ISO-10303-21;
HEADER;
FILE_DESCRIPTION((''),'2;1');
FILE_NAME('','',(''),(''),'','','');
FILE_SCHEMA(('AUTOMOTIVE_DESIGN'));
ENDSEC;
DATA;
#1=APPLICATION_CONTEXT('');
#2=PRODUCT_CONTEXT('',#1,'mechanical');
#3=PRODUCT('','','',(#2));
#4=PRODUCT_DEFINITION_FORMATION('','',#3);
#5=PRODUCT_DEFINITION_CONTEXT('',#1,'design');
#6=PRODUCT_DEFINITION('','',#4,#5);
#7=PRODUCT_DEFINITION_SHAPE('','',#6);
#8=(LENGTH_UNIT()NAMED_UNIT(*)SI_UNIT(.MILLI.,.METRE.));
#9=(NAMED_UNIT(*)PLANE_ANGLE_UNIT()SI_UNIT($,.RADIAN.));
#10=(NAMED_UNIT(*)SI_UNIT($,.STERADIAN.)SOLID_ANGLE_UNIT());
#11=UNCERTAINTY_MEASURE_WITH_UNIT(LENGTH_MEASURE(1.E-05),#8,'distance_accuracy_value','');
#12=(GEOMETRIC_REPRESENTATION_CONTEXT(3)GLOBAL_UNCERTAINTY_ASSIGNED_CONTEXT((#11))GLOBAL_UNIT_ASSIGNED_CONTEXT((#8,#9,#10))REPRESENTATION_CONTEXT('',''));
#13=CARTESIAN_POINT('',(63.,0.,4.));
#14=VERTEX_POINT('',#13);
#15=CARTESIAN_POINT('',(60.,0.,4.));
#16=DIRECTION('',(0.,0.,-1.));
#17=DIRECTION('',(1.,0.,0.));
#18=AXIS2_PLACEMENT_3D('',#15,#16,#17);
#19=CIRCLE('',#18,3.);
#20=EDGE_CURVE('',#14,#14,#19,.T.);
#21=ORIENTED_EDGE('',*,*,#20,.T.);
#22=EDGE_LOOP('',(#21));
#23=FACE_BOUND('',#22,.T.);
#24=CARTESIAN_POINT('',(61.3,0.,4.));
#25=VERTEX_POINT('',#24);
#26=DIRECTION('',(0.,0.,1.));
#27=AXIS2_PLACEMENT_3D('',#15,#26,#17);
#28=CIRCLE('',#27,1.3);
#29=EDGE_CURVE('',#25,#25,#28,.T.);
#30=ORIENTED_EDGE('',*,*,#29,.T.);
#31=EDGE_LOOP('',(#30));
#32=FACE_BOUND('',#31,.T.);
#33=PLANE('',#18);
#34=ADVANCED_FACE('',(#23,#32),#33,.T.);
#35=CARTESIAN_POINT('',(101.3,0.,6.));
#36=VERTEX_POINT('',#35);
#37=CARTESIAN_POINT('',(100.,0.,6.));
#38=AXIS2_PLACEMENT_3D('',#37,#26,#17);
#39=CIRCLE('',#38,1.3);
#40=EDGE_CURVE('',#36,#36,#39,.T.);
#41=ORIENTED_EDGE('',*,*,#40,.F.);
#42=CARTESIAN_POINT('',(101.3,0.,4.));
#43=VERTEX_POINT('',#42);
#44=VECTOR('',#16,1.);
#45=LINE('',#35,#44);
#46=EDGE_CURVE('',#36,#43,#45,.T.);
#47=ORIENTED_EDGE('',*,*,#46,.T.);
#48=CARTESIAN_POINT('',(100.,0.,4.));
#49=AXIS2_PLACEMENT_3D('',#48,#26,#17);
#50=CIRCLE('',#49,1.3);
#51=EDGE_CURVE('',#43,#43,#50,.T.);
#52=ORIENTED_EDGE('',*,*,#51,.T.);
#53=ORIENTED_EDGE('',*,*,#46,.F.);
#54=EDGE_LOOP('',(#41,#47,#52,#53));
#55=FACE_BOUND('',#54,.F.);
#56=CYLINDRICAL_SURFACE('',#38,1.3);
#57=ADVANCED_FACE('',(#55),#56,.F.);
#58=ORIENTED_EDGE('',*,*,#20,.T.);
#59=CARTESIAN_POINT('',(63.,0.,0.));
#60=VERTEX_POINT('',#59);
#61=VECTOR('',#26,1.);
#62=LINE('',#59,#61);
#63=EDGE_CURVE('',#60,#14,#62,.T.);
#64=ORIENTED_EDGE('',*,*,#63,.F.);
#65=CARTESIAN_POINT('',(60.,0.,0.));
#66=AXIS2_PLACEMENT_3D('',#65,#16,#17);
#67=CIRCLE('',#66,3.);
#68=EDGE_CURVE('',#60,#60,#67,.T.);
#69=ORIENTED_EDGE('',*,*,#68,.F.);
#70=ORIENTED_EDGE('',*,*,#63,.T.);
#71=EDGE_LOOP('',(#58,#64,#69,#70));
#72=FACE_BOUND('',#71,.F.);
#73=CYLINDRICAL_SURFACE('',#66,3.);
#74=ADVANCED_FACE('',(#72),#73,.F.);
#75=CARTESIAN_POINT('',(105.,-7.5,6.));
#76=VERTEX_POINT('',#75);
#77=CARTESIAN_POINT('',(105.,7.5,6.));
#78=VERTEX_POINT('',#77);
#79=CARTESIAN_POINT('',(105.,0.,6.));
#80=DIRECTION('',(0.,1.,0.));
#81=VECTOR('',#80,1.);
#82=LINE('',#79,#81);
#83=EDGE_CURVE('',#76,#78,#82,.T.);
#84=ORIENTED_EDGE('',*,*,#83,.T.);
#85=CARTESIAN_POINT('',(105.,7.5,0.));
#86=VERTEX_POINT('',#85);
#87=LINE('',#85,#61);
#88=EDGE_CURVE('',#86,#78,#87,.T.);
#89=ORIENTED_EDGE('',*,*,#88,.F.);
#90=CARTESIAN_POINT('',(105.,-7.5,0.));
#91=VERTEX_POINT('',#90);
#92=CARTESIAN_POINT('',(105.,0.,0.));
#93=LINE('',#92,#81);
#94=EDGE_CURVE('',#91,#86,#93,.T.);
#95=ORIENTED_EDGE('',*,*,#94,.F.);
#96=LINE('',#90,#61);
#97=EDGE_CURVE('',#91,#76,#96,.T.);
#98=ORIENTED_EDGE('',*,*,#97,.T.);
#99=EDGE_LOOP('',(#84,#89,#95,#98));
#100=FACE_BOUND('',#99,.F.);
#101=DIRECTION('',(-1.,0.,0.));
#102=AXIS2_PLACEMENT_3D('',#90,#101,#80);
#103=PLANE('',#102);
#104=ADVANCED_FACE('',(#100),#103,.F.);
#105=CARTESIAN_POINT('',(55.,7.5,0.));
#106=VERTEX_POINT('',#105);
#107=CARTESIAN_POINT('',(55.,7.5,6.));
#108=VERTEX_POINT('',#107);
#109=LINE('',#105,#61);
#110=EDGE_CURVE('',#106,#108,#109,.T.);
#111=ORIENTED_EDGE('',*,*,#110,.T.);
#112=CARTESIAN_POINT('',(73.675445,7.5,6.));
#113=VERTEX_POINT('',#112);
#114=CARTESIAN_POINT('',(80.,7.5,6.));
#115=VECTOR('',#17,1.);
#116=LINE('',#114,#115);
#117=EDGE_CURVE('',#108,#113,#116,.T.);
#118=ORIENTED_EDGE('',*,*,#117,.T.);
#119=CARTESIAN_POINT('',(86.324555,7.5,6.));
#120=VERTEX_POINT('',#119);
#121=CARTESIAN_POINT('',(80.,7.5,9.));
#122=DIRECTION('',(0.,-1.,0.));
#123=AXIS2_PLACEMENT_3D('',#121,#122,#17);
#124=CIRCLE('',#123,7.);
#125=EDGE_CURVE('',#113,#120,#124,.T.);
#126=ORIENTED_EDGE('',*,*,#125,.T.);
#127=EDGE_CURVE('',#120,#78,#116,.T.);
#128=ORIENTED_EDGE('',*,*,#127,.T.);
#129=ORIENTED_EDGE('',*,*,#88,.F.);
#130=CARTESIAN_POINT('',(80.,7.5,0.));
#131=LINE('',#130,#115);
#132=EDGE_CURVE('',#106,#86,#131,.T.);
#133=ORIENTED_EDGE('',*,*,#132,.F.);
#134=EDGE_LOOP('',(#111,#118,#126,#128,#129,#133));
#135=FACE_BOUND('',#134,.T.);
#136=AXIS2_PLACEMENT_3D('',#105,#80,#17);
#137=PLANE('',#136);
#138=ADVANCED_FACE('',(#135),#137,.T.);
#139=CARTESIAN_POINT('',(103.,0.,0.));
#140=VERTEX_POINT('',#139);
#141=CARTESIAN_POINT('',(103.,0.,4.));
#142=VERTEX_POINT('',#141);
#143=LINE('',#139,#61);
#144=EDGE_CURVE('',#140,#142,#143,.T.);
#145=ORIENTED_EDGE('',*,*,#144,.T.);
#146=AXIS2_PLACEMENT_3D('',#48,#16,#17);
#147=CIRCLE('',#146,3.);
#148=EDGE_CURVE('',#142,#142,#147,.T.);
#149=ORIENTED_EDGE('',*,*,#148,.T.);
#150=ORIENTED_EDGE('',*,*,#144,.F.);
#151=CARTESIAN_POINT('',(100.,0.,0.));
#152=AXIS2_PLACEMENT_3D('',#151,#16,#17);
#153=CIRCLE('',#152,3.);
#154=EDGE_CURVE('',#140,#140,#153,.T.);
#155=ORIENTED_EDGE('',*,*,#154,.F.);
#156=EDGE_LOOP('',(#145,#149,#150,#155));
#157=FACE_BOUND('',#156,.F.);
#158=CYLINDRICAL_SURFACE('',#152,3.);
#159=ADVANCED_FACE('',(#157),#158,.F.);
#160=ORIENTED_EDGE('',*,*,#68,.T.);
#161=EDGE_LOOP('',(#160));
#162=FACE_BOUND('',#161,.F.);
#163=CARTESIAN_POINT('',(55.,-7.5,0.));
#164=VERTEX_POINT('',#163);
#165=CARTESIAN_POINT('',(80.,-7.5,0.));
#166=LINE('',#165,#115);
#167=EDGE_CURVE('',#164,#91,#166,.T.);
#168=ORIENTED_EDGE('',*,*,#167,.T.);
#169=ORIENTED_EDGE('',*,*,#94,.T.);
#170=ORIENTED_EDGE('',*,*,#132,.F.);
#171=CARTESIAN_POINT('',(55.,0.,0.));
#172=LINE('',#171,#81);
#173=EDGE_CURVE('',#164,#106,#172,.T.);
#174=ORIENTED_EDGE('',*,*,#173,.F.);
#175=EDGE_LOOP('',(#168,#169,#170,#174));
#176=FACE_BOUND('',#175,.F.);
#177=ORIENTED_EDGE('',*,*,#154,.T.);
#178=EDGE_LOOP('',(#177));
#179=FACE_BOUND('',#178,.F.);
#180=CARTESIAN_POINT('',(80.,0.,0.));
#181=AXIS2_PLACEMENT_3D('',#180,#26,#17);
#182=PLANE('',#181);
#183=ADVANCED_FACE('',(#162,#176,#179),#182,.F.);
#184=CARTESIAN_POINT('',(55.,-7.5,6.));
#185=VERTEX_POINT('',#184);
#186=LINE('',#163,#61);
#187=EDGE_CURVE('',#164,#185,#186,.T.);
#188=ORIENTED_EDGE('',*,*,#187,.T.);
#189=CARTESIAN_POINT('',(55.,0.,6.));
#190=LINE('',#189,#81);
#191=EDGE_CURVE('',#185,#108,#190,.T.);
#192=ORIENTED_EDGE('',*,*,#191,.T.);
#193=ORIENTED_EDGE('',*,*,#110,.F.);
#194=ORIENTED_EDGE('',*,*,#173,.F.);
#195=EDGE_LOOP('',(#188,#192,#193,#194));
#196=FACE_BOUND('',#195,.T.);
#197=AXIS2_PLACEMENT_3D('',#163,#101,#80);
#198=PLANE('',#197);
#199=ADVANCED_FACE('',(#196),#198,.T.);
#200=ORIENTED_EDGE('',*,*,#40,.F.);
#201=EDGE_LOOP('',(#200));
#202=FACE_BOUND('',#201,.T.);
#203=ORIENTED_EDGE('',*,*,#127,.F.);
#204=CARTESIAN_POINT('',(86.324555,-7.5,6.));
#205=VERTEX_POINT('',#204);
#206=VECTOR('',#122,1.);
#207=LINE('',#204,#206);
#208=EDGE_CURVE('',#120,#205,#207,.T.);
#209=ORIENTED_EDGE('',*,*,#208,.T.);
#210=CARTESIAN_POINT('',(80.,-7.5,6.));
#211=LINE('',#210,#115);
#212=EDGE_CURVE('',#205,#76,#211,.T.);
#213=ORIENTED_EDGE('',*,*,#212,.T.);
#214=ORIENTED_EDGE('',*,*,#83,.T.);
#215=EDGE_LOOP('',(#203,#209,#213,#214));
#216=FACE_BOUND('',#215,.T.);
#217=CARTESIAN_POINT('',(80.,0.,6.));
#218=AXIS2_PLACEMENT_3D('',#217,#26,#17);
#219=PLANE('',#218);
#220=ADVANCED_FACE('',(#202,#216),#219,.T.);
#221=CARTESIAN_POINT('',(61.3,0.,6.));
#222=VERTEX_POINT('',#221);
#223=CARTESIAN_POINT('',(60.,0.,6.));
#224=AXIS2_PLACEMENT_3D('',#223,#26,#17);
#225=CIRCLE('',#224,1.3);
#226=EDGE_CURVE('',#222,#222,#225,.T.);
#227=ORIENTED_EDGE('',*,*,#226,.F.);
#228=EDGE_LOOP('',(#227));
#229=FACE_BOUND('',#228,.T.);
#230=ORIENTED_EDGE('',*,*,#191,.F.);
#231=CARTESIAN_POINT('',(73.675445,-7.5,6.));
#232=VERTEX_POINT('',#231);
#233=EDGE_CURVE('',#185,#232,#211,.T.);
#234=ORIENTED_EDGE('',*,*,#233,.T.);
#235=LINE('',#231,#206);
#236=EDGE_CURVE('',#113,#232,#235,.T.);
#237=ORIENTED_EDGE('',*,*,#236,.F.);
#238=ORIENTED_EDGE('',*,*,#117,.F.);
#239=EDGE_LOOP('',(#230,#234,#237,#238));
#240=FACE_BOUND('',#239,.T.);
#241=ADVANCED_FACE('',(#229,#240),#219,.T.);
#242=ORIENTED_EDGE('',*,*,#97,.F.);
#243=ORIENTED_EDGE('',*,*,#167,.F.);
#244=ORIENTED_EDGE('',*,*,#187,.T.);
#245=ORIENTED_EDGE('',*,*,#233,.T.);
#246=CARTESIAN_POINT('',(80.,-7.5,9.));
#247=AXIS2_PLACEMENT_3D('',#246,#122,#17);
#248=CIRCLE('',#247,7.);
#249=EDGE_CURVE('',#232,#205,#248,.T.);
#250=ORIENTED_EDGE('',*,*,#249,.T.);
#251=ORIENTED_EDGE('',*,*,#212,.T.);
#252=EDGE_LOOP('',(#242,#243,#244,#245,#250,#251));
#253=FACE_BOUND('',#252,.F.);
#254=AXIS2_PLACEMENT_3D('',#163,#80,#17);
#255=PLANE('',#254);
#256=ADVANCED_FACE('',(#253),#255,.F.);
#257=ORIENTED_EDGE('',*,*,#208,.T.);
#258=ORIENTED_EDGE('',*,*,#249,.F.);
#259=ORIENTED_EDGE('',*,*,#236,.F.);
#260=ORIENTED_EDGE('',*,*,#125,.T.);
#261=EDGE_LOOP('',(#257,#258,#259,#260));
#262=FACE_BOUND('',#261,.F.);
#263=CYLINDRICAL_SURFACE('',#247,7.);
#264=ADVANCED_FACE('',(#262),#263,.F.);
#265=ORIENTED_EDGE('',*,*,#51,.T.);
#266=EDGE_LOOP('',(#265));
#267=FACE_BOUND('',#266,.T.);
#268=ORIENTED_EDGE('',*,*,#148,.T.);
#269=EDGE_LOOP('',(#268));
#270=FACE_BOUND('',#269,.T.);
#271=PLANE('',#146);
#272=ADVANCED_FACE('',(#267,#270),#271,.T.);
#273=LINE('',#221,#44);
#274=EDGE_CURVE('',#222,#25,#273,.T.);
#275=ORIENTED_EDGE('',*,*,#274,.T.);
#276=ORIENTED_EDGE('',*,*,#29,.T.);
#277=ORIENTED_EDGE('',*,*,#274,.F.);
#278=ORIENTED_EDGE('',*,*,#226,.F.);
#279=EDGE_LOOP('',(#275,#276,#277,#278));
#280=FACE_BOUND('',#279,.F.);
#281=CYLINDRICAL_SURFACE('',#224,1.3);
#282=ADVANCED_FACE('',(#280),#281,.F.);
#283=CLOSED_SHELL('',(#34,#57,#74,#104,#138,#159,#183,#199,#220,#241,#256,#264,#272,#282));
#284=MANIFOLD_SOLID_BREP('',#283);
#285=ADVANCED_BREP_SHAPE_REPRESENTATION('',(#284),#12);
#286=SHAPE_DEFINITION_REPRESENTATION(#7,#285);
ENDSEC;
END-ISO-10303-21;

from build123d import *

# Parameters (mm, degrees)
SKETCH_W        = 50
SKETCH_H        = 15
PAD_DEPTH       = 6
SKETCH001_R     = 7
POCKET_DEPTH    = 15.001
SKETCH002_R     = 1.3
POCKET001_DEPTH = 6.001
SKETCH018_R     = 3
POCKET013_DEPTH = 4


with BuildPart() as part:
    # Sketch → Pad (new body)
    with BuildSketch(Plane.XY):
        Rectangle(SKETCH_W, SKETCH_H)
    extrude(amount=PAD_DEPTH)

    # Sketch001 (on Face3 of Pad) → Pocket (cut, through all)
    with BuildSketch(Plane.XZ.offset(7.5)):
        with Locations((0, 9)):
            Circle(SKETCH001_R)
    extrude(amount=-POCKET_DEPTH, mode=Mode.SUBTRACT)

    # Sketch002 (on Face6 of Pad) → Pocket001 (cut, through all)
    with BuildSketch(Plane.XY.offset(6)):
        with Locations((-20, 0)):
            Circle(SKETCH002_R)
        with Locations((20, 0)):
            Circle(SKETCH002_R)
    extrude(amount=-POCKET001_DEPTH, mode=Mode.SUBTRACT)

    # Sketch018 (on Face2 of Pocket001) → Pocket013 (cut)
    with BuildSketch(Plane(origin=(0, 0, 0), x_dir=(1, 0, 0), z_dir=(0, 0, -1))):
        with Locations((-20, 0)):
            Circle(SKETCH018_R)
        with Locations((20, 0)):
            Circle(SKETCH018_R)
    extrude(amount=-POCKET013_DEPTH, mode=Mode.SUBTRACT)


with BuildPart() as part_1:
    # Body placement: moved
    add(part.part.moved(Location((80, 0, 0))))


solid = part_1.part
